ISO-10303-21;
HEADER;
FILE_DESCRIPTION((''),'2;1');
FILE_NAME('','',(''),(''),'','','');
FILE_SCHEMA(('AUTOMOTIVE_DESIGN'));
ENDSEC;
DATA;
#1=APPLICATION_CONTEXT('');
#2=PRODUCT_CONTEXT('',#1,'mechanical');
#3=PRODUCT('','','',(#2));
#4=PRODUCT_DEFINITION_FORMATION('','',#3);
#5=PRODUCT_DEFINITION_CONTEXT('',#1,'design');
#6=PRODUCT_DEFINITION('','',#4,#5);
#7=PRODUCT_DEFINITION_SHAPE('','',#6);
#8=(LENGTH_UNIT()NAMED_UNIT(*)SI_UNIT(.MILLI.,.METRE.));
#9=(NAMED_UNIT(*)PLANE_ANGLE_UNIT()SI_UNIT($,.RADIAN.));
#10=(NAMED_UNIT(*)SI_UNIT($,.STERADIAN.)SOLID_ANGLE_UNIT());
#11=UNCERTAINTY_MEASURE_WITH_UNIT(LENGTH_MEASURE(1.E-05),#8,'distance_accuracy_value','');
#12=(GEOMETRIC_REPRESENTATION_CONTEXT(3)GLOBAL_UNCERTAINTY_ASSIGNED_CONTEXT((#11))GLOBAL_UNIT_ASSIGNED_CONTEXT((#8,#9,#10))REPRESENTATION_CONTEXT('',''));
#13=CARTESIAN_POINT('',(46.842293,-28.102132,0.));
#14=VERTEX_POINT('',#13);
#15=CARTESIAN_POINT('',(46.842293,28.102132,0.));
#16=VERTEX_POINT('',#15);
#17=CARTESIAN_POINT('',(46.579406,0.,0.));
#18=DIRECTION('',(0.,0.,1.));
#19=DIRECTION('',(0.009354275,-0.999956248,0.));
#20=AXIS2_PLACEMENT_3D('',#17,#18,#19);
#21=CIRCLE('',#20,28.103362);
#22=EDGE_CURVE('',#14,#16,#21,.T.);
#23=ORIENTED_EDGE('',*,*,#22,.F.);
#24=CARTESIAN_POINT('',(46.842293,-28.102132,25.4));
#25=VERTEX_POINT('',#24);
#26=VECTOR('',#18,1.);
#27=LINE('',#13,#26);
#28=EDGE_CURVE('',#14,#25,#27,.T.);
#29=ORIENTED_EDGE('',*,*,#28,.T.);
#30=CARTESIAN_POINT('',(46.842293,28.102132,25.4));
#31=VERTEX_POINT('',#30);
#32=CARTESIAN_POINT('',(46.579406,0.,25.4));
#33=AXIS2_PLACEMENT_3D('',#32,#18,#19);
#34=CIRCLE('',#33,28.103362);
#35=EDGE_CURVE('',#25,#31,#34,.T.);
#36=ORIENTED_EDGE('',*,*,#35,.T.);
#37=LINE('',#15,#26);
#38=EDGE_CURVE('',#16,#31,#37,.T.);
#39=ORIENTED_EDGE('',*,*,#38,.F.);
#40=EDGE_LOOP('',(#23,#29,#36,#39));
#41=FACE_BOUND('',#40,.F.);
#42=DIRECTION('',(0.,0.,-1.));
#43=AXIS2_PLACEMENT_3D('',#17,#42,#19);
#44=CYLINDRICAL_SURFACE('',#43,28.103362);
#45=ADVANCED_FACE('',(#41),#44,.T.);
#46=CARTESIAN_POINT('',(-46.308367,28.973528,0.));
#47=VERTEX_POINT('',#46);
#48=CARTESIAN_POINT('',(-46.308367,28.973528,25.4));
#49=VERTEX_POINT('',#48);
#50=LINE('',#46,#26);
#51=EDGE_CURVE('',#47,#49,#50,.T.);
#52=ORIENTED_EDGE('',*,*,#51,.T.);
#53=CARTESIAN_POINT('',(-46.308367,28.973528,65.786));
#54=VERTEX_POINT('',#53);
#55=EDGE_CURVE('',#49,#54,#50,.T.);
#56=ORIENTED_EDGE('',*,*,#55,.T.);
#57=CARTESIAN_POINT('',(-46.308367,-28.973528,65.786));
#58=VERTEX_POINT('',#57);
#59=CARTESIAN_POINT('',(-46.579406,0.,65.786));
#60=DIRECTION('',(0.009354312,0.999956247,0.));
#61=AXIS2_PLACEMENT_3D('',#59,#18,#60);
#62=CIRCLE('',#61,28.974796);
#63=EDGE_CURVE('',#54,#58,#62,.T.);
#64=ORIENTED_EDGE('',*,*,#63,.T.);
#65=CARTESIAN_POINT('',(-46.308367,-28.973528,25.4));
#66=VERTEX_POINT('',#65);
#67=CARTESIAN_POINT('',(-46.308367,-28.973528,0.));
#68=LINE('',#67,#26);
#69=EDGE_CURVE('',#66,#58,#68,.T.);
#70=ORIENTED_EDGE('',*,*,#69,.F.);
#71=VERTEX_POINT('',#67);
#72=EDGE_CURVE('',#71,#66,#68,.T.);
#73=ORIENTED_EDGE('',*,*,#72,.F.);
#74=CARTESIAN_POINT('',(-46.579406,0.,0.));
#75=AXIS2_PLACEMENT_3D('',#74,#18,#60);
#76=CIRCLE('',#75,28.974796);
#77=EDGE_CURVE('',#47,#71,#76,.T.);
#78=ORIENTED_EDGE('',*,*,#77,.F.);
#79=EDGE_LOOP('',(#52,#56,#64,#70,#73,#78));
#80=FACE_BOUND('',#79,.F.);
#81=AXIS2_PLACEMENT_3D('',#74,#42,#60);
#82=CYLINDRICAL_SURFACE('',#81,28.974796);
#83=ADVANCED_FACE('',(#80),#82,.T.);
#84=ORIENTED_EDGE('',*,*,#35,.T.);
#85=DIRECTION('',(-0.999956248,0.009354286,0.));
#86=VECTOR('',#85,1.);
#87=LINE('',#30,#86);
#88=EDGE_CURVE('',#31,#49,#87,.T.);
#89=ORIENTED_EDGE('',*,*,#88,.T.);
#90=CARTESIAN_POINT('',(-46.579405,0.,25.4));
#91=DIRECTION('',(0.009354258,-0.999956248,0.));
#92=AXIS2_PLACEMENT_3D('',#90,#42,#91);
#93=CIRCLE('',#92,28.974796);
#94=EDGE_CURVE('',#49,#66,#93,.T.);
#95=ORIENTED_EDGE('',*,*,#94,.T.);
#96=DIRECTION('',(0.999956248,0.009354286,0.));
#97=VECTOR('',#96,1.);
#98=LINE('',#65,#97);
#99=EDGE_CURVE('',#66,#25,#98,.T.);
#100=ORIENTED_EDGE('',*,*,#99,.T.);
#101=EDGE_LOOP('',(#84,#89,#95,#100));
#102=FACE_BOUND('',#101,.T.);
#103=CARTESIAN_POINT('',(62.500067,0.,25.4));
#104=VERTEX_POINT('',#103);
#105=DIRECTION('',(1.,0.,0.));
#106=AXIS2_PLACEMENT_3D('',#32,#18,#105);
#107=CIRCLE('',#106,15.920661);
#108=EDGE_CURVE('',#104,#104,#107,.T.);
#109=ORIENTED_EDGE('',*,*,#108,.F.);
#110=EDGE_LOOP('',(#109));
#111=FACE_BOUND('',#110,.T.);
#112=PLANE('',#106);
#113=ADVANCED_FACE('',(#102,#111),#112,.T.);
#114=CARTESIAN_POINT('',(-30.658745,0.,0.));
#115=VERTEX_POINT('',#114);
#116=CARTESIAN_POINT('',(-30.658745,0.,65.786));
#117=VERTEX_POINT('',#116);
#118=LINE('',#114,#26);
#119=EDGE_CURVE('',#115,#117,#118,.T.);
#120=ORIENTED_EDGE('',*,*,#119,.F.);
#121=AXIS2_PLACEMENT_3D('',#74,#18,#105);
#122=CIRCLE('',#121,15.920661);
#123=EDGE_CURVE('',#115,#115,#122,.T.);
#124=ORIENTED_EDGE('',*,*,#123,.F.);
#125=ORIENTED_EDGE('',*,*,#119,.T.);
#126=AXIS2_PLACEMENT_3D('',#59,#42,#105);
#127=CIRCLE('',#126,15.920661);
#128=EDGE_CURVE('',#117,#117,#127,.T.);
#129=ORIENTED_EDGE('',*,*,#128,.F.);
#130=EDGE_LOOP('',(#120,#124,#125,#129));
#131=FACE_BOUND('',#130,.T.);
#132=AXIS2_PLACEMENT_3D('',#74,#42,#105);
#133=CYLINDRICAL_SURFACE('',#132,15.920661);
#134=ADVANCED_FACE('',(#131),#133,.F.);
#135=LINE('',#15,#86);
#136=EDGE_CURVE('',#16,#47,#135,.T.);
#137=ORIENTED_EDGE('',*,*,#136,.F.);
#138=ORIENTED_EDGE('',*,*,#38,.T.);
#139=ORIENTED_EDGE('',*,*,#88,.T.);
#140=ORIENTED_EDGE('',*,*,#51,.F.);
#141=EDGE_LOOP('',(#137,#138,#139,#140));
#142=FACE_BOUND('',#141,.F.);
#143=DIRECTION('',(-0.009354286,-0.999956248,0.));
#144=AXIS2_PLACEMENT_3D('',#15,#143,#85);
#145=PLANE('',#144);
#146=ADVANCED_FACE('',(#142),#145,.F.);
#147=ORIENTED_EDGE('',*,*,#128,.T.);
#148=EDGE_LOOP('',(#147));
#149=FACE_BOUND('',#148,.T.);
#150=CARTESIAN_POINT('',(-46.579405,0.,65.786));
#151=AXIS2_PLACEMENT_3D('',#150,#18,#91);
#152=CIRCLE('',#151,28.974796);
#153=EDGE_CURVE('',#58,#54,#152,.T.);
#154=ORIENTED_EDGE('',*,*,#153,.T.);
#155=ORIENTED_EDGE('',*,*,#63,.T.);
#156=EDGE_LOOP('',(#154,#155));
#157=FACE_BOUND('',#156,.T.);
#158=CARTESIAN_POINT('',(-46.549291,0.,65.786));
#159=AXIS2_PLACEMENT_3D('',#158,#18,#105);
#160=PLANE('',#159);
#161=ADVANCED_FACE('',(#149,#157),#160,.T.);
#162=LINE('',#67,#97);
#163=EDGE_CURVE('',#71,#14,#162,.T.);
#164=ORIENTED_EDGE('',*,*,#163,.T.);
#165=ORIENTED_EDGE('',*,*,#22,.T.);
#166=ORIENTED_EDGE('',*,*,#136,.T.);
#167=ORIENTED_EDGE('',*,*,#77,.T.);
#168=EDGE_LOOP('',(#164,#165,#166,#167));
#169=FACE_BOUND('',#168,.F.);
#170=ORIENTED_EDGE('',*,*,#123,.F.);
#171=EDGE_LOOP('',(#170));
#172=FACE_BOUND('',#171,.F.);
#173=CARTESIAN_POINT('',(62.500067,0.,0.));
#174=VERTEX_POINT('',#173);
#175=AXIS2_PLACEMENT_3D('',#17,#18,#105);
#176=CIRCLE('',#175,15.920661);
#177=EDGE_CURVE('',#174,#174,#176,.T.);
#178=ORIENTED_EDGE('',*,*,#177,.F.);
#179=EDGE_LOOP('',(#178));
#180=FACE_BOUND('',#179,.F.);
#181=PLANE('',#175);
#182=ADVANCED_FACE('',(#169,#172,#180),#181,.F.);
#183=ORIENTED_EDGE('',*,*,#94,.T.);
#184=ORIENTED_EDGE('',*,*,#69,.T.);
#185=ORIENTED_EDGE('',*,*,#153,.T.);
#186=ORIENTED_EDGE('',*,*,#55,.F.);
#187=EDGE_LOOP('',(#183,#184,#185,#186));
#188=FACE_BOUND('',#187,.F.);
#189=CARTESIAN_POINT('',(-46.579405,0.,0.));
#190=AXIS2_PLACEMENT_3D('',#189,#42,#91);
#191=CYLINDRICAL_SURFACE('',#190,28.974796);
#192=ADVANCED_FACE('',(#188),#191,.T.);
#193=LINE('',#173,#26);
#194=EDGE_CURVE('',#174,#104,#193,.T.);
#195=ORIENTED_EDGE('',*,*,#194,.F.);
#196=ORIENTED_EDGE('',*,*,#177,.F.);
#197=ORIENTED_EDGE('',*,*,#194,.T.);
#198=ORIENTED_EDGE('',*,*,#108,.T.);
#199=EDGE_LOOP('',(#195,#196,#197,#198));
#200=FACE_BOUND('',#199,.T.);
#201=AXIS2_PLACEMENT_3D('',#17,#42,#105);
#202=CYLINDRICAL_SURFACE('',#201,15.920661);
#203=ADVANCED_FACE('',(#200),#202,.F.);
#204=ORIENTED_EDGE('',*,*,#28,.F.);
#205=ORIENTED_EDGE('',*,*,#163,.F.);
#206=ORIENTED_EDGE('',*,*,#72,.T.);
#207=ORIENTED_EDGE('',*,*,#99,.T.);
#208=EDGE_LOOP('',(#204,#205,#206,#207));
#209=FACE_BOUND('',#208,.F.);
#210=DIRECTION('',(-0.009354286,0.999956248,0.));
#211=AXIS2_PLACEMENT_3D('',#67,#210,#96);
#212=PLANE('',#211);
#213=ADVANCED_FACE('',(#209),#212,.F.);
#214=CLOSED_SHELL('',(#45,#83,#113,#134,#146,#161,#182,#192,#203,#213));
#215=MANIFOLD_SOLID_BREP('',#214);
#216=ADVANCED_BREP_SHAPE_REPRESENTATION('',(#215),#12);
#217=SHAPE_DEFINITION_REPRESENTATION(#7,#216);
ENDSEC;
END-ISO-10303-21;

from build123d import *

# Parameters (mm, degrees)
F0_R     = 15.920661
F1_DEPTH = 25.4
F2_DEPTH = 65.786
F3_DEPTH = 76.2
F4_DEPTH = 61.214


with BuildPart() as f1:
    # F0 (on Top) → F1 (new body)
    with BuildSketch(Plane.XY):
        with Locations((46.579406, 0)):
            Circle(F0_R)
        with BuildLine():
            Line((46.842293, 28.102132), (-46.308367, 28.973528))
            ThreePointArc((-46.308367, 28.973528), (-17.604609, 0), (-46.308367, -28.973528))
            Line((-46.308367, -28.973528), (46.842293, -28.102132))
            ThreePointArc((46.842293, -28.102132), (74.682768, 0), (46.842293, 28.102132))
        make_face()
        with Locations((46.579406, 0)):
            Circle(F0_R, mode=Mode.SUBTRACT)
        with BuildLine():
            ThreePointArc((-46.308367, -28.973528), (-17.604609, 0), (-46.308367, 28.973528))
            ThreePointArc((-46.308367, 28.973528), (-75.554202, 0), (-46.308367, -28.973528))
        make_face()
        with Locations((-46.579406, 0)):
            Circle(F0_R, mode=Mode.SUBTRACT)
        with Locations((-46.579406, 0)):
            Circle(F0_R)
    extrude(amount=F1_DEPTH)

    # F0 (on Top) → F2 (join)
    with BuildSketch(Plane.XY):
        with BuildLine():
            ThreePointArc((-46.308367, -28.973528), (-17.604609, 0), (-46.308367, 28.973528))
            ThreePointArc((-46.308367, 28.973528), (-75.554202, 0), (-46.308367, -28.973528))
        make_face()
        with Locations((-46.579406, 0)):
            Circle(F0_R, mode=Mode.SUBTRACT)
        with Locations((-46.579406, 0)):
            Circle(F0_R)
    extrude(amount=F2_DEPTH)

    # F0 (on Top) → F3 (cut)
    with BuildSketch(Plane.XY):
        with Locations((-46.579406, 0)):
            Circle(F0_R)
    extrude(amount=F3_DEPTH, mode=Mode.SUBTRACT)

    # F0 (on Top) → F4 (cut)
    with BuildSketch(Plane.XY):
        with Locations((46.579406, 0)):
            Circle(F0_R)
    extrude(amount=F4_DEPTH, mode=Mode.SUBTRACT)


solid = f1.part
